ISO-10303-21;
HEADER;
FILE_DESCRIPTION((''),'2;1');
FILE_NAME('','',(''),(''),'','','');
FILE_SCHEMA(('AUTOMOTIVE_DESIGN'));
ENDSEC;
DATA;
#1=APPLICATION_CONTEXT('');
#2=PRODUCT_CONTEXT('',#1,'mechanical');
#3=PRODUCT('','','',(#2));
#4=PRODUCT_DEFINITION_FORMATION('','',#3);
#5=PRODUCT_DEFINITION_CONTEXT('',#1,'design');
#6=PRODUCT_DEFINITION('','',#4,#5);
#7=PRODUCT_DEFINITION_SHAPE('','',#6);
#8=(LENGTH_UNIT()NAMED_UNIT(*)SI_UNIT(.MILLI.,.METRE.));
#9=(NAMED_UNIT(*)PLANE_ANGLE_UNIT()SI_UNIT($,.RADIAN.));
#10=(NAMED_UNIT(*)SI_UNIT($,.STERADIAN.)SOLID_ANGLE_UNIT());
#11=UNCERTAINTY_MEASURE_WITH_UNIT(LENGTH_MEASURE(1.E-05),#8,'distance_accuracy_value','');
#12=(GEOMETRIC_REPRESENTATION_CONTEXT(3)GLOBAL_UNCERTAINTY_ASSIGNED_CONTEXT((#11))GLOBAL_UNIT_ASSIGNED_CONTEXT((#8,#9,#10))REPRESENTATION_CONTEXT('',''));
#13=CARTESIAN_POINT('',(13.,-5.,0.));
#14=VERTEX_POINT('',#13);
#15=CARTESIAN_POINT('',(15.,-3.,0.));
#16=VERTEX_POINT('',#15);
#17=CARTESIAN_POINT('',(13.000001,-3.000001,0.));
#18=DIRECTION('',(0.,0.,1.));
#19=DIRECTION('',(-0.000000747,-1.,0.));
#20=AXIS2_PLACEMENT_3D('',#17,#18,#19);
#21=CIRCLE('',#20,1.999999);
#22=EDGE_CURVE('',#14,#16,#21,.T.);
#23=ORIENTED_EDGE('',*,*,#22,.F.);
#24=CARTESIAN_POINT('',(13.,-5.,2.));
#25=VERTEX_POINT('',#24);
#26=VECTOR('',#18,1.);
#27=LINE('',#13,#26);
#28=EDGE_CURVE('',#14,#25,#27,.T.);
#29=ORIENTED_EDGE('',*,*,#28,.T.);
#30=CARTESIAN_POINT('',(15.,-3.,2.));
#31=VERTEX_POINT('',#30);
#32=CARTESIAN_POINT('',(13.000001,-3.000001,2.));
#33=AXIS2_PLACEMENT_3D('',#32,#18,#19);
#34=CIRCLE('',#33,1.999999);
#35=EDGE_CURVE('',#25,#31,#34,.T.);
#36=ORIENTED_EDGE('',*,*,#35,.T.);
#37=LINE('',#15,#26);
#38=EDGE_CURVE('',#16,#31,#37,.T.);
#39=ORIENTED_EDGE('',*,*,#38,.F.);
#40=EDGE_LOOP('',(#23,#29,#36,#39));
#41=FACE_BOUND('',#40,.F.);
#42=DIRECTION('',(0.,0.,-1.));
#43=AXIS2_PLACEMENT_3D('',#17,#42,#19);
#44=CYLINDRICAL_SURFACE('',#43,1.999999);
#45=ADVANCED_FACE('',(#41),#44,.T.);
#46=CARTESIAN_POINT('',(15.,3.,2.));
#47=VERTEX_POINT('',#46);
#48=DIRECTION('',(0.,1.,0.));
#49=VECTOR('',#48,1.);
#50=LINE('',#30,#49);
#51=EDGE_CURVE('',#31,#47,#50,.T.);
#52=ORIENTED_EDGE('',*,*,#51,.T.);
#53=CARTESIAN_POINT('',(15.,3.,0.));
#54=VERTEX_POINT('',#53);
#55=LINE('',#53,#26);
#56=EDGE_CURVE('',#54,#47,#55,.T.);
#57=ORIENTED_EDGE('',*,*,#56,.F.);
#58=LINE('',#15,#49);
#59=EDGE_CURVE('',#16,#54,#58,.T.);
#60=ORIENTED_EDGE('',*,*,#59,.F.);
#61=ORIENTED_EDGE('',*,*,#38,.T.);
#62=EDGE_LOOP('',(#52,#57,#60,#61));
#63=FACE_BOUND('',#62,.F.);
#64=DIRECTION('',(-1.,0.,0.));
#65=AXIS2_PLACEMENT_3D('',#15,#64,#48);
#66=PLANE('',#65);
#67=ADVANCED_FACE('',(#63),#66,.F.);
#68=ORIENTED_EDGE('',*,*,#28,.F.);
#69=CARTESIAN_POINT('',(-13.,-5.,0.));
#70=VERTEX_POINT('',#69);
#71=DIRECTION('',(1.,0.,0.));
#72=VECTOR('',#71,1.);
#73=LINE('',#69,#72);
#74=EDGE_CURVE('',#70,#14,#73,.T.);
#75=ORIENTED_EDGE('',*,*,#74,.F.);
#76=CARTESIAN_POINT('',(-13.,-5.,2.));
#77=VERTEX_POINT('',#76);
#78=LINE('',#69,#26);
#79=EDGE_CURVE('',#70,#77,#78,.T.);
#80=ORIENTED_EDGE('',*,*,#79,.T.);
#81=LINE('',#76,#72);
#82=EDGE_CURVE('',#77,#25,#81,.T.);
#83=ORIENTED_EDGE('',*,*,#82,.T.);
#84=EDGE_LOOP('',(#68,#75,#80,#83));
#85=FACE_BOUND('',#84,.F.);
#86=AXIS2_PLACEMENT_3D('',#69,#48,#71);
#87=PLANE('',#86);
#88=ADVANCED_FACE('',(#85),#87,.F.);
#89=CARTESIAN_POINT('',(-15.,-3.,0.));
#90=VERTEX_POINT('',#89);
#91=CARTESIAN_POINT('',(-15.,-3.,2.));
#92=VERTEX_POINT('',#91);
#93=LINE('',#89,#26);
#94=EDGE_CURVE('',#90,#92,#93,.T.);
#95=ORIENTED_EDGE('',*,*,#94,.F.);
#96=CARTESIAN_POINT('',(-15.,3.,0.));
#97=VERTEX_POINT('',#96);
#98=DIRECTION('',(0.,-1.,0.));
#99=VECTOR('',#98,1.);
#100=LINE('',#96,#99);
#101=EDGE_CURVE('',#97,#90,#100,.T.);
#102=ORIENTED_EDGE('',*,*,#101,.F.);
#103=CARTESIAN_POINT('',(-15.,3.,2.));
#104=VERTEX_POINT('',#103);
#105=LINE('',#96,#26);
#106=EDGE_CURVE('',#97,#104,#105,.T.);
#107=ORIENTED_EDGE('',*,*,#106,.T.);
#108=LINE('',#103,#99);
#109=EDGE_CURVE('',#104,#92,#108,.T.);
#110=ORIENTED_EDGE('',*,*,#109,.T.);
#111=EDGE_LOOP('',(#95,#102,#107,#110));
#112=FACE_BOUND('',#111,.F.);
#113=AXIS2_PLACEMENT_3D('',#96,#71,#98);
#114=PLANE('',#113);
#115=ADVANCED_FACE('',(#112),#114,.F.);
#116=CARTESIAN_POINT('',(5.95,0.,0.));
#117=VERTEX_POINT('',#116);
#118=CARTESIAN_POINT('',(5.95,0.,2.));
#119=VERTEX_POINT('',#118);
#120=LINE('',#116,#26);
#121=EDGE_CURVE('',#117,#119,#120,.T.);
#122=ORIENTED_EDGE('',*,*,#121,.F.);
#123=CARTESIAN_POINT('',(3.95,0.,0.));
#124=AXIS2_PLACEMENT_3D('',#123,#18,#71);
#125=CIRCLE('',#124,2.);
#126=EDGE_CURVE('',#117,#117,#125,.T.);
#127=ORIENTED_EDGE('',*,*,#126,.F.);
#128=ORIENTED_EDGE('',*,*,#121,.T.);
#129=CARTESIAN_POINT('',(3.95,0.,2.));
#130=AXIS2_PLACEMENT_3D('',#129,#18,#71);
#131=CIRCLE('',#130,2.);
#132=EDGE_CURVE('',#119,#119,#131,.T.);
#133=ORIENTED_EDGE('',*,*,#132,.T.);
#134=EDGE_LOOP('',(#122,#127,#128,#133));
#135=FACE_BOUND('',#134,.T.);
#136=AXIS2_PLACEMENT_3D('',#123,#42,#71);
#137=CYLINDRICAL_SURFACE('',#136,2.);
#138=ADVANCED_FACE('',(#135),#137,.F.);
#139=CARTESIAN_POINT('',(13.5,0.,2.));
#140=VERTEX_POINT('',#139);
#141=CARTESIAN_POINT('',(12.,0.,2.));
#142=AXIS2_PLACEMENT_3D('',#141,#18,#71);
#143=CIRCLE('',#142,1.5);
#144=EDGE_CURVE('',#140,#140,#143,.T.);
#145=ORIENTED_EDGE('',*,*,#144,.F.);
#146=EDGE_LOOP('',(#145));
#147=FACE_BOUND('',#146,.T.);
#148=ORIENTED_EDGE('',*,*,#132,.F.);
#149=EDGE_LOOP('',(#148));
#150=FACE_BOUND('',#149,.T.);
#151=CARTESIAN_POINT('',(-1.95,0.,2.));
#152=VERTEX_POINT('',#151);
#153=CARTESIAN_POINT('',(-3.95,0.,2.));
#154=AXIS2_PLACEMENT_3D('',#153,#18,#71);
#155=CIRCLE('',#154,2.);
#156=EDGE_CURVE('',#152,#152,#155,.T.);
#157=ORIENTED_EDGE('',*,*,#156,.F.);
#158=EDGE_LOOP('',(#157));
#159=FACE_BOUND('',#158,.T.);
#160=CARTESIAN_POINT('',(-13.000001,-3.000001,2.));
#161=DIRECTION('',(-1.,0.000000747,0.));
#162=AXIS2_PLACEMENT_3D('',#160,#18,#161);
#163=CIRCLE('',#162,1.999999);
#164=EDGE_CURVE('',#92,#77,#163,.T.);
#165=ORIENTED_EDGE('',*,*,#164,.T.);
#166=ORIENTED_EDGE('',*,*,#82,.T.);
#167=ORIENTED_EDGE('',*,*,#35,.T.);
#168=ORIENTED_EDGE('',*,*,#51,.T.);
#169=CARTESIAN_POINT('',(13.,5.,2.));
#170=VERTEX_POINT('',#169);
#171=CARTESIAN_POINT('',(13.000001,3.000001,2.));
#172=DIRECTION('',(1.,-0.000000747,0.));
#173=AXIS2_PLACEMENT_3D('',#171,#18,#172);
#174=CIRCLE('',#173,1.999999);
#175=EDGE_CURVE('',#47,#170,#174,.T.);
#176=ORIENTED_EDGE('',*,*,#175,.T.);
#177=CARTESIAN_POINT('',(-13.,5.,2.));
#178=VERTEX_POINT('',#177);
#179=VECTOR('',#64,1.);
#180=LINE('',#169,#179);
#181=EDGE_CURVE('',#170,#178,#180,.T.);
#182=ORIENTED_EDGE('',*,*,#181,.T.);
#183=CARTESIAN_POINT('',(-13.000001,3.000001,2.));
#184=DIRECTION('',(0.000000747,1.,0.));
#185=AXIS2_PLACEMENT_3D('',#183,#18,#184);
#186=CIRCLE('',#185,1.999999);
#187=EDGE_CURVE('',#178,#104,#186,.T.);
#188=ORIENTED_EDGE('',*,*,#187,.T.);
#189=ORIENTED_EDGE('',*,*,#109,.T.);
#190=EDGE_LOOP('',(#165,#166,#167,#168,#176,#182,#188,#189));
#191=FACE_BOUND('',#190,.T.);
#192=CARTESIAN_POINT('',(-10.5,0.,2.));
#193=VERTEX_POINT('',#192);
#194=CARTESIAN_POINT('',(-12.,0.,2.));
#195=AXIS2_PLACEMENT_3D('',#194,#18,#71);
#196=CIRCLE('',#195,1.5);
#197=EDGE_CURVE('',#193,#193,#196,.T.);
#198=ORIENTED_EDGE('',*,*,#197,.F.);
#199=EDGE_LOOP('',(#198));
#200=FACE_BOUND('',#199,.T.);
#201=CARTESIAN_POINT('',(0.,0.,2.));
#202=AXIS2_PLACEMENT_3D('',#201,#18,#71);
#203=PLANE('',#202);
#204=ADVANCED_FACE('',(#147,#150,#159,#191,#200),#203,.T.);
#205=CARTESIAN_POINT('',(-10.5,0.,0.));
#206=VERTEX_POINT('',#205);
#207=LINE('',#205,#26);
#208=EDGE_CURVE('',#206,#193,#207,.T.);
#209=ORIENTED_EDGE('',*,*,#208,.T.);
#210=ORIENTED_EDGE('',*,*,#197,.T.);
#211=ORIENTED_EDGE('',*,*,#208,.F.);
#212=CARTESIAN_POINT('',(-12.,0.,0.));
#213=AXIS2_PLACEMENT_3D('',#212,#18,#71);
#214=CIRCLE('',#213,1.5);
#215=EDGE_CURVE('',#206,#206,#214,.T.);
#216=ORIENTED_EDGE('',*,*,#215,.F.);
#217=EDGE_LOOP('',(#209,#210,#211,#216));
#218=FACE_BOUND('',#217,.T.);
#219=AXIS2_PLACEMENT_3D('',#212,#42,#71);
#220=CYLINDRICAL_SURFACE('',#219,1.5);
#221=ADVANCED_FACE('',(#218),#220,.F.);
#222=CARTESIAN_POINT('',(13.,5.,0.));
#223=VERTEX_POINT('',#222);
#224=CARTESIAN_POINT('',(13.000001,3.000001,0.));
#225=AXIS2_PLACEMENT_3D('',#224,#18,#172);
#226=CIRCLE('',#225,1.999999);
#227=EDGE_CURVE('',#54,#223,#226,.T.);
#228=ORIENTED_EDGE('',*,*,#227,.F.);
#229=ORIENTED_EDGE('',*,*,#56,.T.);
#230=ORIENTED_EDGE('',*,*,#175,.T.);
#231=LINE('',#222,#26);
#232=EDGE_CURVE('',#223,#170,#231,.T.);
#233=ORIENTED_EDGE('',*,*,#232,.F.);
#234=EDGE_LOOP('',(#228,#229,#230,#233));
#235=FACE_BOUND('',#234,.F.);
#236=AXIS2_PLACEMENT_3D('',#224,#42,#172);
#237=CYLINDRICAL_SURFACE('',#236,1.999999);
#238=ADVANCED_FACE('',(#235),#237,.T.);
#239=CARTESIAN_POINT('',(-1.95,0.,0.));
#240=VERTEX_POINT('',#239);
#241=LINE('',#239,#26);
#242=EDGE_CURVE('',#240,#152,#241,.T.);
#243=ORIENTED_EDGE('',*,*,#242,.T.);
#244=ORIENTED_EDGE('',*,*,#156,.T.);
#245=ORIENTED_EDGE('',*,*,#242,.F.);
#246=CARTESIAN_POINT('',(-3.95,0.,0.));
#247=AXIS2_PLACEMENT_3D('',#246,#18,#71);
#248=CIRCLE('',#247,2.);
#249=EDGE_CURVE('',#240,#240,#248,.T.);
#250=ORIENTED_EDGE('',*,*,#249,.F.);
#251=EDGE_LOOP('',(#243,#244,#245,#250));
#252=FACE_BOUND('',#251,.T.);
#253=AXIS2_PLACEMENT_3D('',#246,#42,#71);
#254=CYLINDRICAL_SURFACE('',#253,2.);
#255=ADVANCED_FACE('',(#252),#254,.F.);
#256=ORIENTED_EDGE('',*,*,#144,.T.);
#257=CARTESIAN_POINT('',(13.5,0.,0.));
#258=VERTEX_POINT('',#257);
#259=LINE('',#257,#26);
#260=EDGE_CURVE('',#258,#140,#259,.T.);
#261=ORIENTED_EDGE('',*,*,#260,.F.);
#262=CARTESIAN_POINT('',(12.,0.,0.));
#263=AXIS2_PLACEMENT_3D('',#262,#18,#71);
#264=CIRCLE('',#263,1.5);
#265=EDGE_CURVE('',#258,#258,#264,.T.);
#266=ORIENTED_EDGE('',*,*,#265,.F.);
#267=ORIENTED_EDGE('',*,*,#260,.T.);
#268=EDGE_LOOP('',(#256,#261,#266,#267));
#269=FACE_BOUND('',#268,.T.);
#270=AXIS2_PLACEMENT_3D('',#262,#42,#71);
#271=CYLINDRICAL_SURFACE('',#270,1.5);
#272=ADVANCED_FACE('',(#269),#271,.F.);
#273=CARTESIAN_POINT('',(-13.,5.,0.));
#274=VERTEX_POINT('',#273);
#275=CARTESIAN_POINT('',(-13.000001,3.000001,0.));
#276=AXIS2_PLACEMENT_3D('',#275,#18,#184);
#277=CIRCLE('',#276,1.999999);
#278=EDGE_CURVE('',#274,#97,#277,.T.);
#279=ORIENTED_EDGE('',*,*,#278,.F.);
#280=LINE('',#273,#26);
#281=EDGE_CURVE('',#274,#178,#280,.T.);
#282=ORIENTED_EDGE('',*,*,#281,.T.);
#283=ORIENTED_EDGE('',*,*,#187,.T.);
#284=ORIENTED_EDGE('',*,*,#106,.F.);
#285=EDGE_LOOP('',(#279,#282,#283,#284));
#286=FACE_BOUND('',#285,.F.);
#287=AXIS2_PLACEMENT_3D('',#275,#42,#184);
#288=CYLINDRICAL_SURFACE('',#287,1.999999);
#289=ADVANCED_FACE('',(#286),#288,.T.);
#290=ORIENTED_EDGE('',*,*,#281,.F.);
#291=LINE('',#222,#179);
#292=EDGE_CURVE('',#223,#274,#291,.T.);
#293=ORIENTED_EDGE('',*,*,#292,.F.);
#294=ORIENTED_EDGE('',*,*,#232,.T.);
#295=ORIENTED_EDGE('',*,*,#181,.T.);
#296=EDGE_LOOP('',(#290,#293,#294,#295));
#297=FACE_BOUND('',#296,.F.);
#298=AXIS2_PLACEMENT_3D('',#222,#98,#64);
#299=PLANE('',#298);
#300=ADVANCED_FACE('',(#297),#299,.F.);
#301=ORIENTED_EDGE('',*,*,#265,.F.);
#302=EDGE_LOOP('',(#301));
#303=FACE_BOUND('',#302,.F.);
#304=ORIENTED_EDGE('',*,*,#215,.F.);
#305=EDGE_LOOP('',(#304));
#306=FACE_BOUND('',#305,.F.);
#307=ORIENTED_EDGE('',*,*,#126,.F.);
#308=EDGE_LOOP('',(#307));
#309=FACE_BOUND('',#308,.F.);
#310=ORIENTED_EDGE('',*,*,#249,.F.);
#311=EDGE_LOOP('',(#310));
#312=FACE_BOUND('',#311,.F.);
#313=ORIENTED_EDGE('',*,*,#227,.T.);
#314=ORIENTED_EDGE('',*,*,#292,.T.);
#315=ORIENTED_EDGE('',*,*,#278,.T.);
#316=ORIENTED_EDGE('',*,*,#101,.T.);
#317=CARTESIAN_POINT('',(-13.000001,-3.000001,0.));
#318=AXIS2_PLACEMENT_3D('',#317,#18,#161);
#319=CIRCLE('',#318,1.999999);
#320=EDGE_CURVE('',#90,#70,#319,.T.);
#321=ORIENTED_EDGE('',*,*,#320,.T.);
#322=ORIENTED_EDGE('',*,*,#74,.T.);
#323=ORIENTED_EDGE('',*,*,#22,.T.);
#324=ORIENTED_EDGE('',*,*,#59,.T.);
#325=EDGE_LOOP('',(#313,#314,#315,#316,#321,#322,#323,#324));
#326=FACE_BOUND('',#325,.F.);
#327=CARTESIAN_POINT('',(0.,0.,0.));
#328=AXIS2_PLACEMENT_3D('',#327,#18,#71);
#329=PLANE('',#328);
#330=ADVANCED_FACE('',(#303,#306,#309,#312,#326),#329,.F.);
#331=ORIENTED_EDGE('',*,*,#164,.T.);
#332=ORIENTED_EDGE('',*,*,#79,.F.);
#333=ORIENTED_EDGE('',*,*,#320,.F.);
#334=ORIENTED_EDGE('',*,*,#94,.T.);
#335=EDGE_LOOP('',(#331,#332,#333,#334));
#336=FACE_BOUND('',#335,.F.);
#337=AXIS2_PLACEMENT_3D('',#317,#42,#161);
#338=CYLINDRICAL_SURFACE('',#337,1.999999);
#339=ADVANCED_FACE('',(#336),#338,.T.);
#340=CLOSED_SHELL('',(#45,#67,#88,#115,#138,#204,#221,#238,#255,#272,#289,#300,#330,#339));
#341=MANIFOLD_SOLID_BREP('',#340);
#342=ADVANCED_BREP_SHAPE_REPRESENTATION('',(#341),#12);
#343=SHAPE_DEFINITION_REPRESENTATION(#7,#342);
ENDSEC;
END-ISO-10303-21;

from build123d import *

# Parameters (mm, degrees)
F0_R     = 1.5
F0_R_2   = 2
F1_DEPTH = 2


with BuildPart() as f1:
    # F0 (on Top) → F1 (new body)
    with BuildSketch(Plane.XY):
        with BuildLine():
            Line((-13, -5), (13, -5))
            ThreePointArc((13, -5), (14.414214, -4.414214), (15, -3))
            Line((15, -3), (15, 3))
            ThreePointArc((15, 3), (14.414214, 4.414214), (13, 5))
            Line((13, 5), (-13, 5))
            ThreePointArc((-13, 5), (-14.414214, 4.414214), (-15, 3))
            Line((-15, 3), (-15, -3))
            ThreePointArc((-15, -3), (-14.414214, -4.414214), (-13, -5))
        make_face()
        with Locations((-12, 0)):
            Circle(F0_R, mode=Mode.SUBTRACT)
        with Locations((-3.95, 0)):
            Circle(F0_R_2, mode=Mode.SUBTRACT)
        with Locations((3.95, 0)):
            Circle(F0_R_2, mode=Mode.SUBTRACT)
        with Locations((12, 0)):
            Circle(F0_R, mode=Mode.SUBTRACT)
    extrude(amount=F1_DEPTH)


solid = f1.part
